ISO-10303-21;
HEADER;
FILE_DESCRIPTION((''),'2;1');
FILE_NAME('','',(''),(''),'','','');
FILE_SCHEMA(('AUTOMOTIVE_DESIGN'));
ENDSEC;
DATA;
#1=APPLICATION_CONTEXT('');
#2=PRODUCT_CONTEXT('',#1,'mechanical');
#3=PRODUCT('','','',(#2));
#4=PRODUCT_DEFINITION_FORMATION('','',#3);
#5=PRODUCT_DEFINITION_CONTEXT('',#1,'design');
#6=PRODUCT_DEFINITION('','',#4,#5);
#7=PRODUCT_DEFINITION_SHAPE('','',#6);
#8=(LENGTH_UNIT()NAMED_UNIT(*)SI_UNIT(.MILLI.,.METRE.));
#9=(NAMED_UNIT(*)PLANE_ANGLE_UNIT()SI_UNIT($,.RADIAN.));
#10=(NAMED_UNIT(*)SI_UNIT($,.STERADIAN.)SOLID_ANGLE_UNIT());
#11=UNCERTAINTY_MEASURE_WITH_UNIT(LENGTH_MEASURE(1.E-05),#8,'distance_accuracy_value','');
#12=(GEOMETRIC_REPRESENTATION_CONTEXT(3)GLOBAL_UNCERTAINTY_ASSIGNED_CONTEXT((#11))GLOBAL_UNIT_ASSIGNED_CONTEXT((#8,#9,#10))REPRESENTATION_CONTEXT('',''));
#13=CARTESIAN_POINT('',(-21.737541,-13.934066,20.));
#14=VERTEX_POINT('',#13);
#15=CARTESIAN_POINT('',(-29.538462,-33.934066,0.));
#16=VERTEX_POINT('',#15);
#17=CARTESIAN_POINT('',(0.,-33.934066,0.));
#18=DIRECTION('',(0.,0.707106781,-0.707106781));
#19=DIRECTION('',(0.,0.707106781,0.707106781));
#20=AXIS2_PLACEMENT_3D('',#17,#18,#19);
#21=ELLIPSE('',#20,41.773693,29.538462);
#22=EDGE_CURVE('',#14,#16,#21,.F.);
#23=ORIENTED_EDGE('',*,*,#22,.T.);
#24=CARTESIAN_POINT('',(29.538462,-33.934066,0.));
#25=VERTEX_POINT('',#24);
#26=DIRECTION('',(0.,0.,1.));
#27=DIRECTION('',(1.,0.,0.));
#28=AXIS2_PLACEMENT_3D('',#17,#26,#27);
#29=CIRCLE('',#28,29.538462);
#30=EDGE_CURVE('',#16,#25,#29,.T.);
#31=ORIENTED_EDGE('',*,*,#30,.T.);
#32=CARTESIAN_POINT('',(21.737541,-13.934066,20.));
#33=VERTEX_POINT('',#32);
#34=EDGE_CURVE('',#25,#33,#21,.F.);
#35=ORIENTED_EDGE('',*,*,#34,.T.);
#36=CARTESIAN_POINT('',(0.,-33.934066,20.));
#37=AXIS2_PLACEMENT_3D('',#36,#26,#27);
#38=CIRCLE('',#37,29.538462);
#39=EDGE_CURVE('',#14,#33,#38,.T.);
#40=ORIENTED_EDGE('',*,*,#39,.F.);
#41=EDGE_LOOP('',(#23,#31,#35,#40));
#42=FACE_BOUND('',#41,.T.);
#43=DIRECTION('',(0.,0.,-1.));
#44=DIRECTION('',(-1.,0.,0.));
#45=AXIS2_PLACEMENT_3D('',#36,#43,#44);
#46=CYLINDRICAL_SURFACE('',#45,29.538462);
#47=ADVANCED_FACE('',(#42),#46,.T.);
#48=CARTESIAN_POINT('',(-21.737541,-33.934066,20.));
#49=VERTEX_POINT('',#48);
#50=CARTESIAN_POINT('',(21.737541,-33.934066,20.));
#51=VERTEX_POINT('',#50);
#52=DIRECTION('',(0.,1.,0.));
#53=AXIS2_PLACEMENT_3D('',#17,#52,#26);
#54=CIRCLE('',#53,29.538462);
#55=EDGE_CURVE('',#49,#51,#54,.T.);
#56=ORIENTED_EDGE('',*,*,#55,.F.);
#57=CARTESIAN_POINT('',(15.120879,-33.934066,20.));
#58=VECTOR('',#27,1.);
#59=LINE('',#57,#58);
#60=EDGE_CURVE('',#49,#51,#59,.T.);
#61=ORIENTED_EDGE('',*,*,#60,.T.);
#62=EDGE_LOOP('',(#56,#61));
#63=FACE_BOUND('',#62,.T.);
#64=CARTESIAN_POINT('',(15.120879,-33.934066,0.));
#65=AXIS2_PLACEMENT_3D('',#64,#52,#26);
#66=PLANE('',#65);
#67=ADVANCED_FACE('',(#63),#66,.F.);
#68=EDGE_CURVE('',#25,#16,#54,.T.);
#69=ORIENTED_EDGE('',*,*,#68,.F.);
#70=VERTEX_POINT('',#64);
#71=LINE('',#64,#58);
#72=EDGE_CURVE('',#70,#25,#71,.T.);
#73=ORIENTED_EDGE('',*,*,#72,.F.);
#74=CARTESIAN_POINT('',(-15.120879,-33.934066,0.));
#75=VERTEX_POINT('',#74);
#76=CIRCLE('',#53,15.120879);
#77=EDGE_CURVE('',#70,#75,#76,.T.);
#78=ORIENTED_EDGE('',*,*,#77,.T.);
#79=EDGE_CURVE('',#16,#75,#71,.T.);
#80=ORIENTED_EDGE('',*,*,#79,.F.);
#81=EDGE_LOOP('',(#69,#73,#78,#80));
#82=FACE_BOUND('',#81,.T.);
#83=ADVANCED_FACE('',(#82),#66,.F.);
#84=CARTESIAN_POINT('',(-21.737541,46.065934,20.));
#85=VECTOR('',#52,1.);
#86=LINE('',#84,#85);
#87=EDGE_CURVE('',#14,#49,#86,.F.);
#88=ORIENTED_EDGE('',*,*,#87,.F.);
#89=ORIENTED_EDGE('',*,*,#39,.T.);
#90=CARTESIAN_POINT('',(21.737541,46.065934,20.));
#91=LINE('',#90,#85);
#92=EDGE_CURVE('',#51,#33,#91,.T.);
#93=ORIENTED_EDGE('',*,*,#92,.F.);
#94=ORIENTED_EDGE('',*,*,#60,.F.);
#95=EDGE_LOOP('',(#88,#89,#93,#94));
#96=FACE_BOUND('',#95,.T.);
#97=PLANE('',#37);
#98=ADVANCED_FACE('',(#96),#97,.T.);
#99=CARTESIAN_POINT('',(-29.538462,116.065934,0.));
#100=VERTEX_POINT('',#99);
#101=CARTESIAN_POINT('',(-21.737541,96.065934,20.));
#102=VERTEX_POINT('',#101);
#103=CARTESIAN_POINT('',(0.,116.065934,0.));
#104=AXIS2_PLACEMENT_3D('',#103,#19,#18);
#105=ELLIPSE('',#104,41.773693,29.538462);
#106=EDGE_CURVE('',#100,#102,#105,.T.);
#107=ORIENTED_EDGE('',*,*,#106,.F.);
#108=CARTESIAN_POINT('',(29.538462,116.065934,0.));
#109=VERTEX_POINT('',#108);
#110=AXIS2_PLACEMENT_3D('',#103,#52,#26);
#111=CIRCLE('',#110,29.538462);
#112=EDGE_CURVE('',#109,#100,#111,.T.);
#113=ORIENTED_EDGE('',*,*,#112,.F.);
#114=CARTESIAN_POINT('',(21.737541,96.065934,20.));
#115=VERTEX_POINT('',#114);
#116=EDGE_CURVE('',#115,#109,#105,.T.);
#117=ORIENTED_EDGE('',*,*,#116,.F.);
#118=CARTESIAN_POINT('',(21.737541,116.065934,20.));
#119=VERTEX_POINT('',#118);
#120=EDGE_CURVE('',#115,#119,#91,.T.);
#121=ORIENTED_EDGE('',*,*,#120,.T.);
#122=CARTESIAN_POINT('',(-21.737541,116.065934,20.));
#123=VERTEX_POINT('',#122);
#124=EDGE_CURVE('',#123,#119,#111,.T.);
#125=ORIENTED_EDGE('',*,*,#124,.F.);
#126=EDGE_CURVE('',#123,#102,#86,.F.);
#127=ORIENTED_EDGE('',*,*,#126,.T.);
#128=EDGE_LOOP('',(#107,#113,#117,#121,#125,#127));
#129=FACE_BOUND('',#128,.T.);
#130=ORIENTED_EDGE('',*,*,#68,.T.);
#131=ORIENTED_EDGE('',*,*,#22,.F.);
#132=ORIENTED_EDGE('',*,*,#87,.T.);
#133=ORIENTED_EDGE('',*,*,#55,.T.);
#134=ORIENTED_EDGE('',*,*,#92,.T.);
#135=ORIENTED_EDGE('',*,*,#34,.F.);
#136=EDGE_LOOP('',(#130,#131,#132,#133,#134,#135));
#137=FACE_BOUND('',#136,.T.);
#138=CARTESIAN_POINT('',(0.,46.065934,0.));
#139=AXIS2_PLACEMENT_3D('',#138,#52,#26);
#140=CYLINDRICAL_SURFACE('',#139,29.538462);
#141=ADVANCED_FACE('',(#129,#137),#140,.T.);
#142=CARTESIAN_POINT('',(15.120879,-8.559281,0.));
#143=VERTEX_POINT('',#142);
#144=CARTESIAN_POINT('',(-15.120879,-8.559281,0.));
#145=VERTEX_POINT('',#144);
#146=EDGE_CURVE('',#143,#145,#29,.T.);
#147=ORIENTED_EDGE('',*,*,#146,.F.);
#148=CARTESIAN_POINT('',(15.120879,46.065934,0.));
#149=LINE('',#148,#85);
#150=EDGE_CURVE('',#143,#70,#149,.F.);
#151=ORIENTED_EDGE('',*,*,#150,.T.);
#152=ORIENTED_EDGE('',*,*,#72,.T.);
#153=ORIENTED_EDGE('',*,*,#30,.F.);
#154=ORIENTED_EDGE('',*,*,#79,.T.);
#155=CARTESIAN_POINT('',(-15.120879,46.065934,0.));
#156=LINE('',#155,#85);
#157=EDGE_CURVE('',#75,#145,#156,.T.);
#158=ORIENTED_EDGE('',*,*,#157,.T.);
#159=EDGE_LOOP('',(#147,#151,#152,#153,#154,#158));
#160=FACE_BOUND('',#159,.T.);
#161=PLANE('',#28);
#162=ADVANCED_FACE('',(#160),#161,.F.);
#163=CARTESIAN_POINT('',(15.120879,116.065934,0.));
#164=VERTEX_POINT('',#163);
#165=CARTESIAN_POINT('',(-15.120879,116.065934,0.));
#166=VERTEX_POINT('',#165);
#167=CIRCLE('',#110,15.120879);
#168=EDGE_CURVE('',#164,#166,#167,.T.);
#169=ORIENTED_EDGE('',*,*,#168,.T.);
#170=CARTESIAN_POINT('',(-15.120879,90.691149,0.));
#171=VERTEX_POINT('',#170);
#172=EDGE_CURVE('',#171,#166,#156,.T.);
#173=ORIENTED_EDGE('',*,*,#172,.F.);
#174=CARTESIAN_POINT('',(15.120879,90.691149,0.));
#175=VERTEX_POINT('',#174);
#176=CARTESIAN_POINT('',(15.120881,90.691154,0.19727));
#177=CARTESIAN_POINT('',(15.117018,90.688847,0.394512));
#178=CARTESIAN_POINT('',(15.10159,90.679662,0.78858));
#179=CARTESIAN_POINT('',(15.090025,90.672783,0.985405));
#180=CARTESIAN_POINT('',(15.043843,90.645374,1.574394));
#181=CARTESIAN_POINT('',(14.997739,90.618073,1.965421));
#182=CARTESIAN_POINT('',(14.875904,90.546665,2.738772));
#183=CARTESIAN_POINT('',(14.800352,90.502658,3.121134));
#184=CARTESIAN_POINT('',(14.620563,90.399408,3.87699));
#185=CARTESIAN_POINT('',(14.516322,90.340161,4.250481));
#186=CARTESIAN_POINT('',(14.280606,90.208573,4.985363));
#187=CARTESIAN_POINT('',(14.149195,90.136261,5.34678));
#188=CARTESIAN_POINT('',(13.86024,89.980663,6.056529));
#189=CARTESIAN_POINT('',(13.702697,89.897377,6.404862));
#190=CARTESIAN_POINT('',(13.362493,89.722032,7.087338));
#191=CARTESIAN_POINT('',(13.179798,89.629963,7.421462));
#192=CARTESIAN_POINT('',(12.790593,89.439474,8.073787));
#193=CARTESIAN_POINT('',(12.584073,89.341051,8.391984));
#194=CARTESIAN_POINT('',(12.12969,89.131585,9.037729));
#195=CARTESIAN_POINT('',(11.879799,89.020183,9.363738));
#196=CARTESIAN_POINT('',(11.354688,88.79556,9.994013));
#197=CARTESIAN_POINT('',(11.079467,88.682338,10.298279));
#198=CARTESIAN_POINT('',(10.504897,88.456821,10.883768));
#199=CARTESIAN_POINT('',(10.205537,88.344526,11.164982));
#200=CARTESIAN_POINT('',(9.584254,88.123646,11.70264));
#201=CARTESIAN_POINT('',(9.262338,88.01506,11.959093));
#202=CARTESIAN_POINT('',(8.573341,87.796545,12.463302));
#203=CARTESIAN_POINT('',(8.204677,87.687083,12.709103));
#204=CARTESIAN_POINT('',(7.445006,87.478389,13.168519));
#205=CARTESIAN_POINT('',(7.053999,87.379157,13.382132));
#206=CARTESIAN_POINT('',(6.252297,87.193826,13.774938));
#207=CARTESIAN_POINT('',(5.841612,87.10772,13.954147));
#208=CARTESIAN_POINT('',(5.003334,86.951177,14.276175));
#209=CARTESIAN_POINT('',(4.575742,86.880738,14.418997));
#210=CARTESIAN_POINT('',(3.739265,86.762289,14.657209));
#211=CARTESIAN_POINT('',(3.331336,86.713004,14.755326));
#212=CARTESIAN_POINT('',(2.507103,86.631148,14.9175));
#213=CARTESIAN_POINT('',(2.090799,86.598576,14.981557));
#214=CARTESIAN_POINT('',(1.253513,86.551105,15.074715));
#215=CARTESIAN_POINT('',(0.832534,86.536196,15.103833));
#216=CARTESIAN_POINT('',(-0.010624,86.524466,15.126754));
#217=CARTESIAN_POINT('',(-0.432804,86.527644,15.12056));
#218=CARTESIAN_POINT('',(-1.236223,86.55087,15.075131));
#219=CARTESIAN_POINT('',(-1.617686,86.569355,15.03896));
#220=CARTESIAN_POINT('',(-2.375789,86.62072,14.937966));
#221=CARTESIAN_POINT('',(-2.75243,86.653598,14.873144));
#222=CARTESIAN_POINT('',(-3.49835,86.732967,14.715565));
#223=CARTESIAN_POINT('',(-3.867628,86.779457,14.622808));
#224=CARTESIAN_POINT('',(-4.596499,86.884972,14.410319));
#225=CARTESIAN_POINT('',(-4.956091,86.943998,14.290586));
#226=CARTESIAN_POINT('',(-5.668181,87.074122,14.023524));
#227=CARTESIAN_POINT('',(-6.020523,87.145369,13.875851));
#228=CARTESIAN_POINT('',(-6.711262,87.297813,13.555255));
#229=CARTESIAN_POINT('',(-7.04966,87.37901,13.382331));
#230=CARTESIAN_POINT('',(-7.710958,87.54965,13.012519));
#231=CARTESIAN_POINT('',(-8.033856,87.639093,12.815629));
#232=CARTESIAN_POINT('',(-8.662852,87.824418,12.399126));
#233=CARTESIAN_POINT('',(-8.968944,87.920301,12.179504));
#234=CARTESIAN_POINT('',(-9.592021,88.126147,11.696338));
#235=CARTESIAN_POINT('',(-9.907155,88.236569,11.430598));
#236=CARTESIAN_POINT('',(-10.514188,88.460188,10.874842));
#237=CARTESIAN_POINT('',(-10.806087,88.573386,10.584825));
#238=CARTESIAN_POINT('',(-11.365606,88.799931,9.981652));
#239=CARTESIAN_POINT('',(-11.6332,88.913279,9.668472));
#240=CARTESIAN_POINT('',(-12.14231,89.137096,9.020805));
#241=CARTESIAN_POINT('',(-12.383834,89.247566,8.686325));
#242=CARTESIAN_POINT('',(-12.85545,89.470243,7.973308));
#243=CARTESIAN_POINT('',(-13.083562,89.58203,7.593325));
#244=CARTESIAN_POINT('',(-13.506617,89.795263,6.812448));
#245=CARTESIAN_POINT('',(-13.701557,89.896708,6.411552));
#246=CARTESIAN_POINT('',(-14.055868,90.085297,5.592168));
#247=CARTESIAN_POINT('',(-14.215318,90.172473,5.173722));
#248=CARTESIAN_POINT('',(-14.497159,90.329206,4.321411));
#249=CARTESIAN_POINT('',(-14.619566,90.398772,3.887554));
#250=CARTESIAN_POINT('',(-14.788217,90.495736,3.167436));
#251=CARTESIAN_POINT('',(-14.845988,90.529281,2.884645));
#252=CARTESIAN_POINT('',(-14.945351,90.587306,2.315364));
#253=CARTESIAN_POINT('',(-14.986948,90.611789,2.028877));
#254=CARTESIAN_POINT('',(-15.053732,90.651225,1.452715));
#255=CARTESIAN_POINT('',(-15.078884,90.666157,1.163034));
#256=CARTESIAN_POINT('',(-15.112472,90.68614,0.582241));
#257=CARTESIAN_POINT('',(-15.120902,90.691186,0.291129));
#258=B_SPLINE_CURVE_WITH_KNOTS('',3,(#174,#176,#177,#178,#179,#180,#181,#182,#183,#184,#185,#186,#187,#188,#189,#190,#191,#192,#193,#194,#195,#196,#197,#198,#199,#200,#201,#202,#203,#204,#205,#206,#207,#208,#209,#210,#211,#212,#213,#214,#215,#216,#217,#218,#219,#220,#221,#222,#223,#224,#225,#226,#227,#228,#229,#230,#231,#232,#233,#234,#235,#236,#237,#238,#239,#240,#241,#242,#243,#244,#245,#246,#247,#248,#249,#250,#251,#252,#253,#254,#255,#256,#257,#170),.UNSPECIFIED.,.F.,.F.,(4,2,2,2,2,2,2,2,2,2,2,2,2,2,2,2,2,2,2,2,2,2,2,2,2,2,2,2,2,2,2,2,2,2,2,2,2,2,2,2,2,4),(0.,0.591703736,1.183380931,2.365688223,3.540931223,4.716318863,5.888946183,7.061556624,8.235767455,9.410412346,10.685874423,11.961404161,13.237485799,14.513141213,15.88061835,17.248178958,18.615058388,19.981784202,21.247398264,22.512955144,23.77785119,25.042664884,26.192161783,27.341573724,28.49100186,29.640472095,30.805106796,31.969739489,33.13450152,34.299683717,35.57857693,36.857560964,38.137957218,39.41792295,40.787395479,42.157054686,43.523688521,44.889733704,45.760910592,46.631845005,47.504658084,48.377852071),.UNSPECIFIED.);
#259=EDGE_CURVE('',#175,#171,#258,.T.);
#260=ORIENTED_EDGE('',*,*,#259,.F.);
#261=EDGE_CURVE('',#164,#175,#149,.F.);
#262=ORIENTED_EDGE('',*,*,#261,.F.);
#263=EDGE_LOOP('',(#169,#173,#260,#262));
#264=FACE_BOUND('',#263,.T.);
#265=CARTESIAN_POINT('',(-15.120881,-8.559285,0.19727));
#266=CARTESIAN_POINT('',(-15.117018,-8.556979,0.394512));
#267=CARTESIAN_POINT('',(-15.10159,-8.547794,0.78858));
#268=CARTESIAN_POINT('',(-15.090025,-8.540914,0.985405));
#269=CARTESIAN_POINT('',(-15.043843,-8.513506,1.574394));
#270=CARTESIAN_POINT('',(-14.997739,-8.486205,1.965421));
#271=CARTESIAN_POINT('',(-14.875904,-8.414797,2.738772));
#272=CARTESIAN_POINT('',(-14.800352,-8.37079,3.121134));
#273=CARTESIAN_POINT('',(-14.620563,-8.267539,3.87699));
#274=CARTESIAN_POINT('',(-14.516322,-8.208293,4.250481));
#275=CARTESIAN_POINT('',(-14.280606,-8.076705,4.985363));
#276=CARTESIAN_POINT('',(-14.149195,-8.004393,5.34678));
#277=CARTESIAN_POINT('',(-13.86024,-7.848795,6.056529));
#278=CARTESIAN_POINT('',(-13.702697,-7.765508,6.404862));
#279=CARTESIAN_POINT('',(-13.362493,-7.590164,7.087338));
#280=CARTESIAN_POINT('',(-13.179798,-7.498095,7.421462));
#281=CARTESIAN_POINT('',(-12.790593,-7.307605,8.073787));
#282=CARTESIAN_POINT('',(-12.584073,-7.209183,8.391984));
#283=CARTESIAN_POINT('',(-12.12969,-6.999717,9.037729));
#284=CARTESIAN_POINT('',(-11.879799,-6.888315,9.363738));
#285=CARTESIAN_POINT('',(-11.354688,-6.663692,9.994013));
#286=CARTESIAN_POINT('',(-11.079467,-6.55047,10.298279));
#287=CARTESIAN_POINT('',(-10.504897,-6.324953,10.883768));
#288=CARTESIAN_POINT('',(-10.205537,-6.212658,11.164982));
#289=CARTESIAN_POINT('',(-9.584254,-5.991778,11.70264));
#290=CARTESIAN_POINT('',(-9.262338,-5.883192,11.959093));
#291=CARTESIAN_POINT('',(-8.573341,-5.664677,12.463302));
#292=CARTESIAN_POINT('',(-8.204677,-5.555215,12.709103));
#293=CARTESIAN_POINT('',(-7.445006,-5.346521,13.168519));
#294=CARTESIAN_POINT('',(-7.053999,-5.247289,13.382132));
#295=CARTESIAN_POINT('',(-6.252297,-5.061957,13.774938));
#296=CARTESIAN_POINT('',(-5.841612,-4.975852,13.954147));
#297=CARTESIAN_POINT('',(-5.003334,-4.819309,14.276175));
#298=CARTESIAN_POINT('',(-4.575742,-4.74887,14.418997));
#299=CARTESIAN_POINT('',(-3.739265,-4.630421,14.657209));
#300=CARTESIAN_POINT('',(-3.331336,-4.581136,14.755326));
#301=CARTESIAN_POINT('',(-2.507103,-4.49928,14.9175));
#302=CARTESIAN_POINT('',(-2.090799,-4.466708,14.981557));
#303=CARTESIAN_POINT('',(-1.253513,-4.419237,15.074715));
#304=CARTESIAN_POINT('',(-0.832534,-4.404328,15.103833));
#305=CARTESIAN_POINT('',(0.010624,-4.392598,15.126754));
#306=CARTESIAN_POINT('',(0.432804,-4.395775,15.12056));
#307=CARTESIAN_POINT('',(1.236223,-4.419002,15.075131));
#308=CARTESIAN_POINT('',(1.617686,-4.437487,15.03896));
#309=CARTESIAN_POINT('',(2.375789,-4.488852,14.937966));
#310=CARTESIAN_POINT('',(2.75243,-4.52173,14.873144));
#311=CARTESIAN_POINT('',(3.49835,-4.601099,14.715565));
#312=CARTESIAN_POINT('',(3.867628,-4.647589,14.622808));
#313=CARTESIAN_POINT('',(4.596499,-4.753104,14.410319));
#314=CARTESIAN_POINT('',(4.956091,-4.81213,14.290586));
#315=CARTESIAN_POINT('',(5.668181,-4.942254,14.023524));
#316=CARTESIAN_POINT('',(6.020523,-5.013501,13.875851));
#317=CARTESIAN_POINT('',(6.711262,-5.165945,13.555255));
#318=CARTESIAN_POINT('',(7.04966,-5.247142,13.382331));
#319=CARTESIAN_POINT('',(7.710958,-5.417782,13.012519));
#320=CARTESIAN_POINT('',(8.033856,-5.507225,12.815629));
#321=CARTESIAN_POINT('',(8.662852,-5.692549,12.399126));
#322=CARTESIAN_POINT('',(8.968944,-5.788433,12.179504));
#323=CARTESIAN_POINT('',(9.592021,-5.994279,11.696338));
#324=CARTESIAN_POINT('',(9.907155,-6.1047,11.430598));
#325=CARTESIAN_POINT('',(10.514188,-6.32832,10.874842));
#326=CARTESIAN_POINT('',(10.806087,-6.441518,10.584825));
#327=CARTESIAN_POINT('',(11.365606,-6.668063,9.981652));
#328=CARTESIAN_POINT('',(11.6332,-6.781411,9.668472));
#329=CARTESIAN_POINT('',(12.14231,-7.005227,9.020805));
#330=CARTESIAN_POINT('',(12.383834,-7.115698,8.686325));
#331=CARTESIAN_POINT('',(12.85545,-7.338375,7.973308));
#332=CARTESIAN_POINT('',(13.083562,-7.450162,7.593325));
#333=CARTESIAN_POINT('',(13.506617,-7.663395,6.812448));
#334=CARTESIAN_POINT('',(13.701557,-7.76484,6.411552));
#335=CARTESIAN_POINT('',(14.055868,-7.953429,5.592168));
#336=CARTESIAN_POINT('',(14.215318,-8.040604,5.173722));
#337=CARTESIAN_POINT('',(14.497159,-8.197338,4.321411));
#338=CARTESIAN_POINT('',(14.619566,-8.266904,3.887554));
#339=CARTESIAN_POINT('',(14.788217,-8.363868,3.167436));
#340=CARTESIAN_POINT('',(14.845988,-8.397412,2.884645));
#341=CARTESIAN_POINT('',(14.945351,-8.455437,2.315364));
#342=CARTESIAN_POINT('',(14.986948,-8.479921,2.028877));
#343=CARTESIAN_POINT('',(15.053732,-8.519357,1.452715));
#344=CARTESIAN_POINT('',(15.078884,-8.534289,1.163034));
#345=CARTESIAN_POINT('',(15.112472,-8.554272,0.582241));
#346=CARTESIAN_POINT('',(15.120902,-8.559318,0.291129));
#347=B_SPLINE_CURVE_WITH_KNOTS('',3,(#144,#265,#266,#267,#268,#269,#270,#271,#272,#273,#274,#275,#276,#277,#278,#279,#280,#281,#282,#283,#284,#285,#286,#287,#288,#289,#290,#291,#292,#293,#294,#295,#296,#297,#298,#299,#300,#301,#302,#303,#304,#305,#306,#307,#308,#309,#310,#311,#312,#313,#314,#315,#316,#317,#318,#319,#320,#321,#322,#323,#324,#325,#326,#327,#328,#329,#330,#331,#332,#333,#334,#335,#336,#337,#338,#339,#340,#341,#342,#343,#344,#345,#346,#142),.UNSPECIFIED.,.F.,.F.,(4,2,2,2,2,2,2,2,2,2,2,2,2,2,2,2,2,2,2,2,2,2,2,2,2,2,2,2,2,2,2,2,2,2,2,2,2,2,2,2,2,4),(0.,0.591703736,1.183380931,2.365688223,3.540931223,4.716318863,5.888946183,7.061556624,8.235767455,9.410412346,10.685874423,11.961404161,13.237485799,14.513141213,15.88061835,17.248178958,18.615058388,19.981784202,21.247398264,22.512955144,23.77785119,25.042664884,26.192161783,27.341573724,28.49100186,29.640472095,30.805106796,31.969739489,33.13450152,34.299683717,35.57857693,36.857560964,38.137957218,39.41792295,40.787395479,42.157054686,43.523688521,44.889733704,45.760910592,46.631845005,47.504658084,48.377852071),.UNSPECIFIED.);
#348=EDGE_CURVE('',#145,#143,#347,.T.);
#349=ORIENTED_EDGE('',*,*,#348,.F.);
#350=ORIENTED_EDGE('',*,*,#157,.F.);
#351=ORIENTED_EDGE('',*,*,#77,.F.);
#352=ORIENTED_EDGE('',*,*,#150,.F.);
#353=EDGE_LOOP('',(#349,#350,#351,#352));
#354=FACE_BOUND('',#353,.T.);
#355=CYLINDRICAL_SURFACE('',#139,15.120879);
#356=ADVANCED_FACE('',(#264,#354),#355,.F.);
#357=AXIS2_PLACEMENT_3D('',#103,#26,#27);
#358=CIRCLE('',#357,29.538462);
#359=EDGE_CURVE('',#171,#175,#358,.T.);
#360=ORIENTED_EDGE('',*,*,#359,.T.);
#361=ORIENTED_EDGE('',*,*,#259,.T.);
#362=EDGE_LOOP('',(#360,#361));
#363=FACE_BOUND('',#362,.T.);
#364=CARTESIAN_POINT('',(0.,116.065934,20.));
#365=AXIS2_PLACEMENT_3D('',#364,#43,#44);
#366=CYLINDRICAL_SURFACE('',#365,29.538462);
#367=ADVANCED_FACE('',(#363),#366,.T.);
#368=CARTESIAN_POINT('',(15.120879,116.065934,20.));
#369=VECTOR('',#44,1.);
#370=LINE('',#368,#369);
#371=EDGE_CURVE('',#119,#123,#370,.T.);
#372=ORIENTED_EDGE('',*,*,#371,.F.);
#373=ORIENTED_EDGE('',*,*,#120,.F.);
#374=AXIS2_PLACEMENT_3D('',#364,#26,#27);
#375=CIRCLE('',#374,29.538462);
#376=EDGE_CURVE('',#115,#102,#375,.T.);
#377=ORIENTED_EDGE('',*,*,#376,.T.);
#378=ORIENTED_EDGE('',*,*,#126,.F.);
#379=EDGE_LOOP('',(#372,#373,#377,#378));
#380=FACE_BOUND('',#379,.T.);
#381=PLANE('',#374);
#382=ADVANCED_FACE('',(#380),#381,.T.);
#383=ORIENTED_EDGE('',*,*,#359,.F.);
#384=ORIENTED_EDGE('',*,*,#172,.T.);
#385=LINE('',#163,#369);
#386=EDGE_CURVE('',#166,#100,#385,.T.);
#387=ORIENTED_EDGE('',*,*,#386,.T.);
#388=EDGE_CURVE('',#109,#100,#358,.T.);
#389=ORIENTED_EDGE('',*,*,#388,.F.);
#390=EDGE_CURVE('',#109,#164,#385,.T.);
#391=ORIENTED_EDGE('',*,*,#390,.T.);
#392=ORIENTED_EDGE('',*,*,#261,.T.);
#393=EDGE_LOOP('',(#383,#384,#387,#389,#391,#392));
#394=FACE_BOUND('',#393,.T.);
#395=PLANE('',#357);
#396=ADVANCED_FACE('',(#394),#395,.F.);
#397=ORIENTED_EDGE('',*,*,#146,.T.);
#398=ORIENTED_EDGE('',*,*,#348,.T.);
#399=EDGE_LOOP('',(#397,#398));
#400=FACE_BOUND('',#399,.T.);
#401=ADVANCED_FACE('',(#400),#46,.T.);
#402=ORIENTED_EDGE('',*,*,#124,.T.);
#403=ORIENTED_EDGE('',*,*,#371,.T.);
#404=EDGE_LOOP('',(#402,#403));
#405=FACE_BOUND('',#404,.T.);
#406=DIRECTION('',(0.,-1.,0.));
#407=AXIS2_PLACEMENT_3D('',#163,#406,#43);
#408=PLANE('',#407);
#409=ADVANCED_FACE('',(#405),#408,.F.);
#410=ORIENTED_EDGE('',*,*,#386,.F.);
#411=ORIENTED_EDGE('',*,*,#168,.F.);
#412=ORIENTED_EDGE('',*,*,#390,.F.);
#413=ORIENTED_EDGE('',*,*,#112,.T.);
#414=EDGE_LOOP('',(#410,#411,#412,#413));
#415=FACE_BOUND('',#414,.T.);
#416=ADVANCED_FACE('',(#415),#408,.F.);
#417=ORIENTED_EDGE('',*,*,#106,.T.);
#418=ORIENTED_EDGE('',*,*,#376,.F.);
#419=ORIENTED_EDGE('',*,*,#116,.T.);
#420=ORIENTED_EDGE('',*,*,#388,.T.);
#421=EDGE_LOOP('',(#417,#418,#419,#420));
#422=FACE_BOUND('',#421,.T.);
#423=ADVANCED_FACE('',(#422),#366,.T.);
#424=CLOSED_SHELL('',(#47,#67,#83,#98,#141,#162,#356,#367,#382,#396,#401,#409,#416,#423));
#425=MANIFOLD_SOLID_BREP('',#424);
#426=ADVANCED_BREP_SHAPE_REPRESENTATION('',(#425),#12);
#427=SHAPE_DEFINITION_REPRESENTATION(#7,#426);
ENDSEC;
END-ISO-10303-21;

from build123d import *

# Parameters (mm, degrees)
SKETCH1_W           = 14.417582417
SKETCH1_H           = 150
SKETCH2_R           = 29.538461538
BOSS_EXTRUDE1_DEPTH = 20


with BuildPart() as part:
    # Sketch1 → Revolve1 (revolve)
    with BuildSketch(Plane.XY):
        with Locations((22.32967033, 41.065934066)):
            Rectangle(SKETCH1_W, SKETCH1_H)
    revolve(axis=Axis((0, 46.065934066, 0), (0, -1, 0)))

    # Sketch2 → Boss-Extrude1 (add)
    with BuildSketch(Plane.XY):
        with Locations((0, 116.065934066)):
            Circle(SKETCH2_R)
        with Locations((0, -33.934065934)):
            Circle(SKETCH2_R)
    extrude(amount=BOSS_EXTRUDE1_DEPTH)


solid = part.part
